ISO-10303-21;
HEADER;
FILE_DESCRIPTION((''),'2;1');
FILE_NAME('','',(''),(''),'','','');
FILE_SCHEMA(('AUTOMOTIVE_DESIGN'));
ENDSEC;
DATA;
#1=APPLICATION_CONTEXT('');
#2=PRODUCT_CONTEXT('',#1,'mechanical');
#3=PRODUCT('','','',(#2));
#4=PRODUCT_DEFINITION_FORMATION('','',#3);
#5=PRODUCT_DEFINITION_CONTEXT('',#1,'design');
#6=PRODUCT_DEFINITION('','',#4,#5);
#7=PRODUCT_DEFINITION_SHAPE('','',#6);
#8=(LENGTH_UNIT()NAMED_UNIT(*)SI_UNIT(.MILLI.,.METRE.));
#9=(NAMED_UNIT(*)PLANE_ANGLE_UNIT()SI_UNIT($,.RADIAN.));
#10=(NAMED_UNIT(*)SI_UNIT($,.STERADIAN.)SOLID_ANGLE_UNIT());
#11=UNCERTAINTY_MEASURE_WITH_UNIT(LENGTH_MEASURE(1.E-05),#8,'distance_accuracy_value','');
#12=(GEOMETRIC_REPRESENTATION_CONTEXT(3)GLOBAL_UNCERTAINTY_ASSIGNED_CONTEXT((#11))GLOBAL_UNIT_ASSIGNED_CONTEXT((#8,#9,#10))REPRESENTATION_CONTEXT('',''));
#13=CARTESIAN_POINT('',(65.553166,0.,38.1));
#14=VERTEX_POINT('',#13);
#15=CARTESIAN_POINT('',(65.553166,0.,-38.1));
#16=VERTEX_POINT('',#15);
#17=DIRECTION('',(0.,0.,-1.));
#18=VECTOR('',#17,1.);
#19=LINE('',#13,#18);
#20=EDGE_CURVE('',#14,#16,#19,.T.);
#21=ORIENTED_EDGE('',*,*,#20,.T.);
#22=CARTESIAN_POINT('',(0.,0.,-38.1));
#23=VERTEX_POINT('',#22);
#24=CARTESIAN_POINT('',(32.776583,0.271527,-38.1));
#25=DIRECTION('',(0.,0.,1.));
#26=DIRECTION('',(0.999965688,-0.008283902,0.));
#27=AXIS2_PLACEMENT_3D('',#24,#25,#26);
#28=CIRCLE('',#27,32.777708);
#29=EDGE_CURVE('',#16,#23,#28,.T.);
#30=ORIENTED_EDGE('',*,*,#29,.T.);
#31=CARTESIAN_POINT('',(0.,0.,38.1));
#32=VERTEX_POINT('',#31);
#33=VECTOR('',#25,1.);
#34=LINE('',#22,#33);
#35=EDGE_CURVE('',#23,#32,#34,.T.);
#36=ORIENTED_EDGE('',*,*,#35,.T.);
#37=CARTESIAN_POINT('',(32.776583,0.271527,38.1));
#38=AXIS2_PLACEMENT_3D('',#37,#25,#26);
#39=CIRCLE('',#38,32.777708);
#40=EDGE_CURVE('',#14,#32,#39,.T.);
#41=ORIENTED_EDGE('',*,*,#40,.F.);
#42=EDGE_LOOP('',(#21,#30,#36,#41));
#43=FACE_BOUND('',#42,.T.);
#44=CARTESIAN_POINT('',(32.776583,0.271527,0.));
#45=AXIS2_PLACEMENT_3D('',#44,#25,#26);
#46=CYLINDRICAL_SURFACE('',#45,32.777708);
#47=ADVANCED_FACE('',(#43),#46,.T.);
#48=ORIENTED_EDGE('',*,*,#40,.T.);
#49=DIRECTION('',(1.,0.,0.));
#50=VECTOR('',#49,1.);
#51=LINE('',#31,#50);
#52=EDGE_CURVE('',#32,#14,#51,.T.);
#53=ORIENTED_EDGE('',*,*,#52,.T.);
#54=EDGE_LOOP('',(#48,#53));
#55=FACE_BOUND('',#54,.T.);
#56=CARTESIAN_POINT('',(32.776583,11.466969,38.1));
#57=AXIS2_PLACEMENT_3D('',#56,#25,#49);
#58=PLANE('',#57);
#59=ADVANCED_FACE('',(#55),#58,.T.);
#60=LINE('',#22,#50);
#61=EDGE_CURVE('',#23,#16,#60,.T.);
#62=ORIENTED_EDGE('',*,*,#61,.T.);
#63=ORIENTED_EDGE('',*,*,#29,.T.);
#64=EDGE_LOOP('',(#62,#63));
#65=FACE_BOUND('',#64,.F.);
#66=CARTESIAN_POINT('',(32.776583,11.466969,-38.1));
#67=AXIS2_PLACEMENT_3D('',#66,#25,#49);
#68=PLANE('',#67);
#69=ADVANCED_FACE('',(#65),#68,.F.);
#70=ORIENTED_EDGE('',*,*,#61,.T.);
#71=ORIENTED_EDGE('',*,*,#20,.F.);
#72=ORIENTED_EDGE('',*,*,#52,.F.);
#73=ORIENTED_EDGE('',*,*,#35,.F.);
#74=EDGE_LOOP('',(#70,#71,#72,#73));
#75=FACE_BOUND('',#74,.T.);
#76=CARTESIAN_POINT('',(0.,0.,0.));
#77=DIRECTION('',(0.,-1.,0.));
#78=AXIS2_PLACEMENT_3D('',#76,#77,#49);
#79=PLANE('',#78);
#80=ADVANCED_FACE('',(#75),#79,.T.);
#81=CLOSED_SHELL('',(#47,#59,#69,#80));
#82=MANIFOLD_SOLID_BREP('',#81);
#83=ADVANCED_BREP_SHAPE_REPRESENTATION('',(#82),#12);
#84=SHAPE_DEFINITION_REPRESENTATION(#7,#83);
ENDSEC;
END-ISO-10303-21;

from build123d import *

# Parameters (mm, degrees)
F1_DEPTH = 38.1


with BuildPart() as f1:
    # F0 (on Top) → F1 (new body, symmetric)
    with BuildSketch(Plane.XY):
        with BuildLine():
            ThreePointArc((65.553166, 0), (32.776583, 33.049235), (0, 0))
            Line((0, 0), (65.553166, 0))
        make_face()
    extrude(amount=F1_DEPTH, both=True)


solid = f1.part
